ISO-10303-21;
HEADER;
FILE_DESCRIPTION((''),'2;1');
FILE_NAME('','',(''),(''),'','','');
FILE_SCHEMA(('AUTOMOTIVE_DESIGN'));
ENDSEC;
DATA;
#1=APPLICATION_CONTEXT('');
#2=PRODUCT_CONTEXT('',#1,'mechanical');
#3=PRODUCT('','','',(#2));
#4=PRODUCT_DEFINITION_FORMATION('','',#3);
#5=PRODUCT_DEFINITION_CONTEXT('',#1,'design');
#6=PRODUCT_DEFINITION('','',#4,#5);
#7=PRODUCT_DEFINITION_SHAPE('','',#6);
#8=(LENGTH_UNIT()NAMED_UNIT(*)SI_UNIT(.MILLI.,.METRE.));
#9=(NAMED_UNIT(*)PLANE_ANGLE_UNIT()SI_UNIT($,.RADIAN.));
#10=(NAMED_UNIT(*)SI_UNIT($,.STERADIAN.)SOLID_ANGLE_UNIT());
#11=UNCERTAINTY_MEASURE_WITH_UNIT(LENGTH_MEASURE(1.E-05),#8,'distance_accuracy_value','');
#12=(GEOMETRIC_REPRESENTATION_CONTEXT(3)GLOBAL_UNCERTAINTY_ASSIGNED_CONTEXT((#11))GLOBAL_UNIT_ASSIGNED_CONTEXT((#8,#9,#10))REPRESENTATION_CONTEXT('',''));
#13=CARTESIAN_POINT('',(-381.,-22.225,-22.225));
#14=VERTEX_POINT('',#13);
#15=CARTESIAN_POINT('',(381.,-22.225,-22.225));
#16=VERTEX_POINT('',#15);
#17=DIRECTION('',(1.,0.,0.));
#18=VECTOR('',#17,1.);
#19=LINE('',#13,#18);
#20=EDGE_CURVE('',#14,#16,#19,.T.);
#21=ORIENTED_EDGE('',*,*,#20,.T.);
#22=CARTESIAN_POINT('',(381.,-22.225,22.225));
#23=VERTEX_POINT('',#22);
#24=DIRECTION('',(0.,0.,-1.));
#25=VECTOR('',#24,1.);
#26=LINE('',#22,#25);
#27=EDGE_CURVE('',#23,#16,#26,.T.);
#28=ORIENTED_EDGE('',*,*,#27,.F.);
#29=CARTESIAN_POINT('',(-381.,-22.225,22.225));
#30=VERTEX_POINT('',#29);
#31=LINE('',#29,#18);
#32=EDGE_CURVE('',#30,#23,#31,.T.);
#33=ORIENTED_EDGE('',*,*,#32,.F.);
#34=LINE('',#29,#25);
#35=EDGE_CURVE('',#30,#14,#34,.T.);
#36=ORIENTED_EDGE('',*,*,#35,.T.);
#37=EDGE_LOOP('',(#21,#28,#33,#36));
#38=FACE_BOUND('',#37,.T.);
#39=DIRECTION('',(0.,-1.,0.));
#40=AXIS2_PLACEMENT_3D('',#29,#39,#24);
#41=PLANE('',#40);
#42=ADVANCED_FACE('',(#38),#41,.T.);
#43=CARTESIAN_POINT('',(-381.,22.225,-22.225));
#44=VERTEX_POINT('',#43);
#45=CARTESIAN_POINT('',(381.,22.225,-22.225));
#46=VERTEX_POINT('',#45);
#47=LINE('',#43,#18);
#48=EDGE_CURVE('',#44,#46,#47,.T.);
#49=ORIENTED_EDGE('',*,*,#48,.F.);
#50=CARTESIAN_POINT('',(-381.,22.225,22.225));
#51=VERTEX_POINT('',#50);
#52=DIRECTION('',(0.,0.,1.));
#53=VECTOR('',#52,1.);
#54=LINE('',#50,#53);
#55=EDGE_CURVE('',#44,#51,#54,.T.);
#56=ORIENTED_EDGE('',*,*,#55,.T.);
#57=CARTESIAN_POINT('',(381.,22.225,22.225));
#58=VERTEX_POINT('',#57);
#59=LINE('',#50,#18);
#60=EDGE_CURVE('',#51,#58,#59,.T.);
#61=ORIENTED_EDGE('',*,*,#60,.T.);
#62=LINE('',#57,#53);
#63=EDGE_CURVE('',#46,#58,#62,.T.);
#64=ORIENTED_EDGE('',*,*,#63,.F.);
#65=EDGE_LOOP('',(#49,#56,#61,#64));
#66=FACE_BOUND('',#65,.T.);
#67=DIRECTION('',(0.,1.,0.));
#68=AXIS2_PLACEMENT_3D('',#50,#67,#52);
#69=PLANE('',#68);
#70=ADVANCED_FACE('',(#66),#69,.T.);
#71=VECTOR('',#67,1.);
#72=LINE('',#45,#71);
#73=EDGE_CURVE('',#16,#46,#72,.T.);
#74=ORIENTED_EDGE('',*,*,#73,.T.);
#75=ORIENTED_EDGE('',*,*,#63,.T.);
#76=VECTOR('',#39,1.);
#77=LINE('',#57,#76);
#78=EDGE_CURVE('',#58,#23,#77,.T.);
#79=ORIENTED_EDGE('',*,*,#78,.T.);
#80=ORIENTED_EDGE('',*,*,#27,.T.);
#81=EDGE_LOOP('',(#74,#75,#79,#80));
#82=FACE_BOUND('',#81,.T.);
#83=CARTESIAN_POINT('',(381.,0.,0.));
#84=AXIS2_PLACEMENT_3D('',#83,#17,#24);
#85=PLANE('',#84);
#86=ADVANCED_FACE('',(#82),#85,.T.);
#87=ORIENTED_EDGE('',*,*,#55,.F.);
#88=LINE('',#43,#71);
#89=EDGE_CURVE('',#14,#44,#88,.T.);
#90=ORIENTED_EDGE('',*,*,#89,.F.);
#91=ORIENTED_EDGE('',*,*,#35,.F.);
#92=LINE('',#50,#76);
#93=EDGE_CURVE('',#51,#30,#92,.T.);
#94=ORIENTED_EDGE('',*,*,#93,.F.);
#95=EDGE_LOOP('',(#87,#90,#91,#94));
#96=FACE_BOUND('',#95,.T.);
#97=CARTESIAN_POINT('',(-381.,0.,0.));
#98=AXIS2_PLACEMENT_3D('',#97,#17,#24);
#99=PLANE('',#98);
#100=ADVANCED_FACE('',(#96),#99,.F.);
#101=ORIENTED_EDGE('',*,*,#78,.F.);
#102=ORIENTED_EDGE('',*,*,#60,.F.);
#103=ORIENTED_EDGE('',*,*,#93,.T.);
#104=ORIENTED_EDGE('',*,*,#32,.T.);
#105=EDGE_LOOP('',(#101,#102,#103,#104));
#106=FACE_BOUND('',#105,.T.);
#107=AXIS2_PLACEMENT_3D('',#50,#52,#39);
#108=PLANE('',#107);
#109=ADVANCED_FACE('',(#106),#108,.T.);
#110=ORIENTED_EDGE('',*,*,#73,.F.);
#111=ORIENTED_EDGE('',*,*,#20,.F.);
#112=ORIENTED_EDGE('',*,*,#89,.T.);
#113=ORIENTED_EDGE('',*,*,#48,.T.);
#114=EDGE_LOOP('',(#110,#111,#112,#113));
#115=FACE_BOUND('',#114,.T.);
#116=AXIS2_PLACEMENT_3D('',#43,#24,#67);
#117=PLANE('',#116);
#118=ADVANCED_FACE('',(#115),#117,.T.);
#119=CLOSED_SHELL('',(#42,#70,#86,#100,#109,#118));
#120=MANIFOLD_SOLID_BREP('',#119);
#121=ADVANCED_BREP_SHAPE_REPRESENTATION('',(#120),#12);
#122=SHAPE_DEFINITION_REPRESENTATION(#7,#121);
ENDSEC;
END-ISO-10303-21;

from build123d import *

# Parameters (mm, degrees)
BOSS_EXTRUDE1_DEPTH      = 381
BOSS_EXTRUDE1_DEPTH_BACK = 381
SKETCH1_W                = 44.45
SKETCH1_H                = 44.45


with BuildPart() as part:
    # Sketch1 → Boss-Extrude1 (new, two sides: drawn at the far end of the back side and taken through both)
    with BuildSketch(Plane(origin=(0, 0, 0), x_dir=(0, 0, -1), z_dir=(1, 0, 0)).offset(-BOSS_EXTRUDE1_DEPTH_BACK)):
        Rectangle(SKETCH1_W, SKETCH1_H)
    extrude(amount=BOSS_EXTRUDE1_DEPTH + BOSS_EXTRUDE1_DEPTH_BACK)


solid = part.part
